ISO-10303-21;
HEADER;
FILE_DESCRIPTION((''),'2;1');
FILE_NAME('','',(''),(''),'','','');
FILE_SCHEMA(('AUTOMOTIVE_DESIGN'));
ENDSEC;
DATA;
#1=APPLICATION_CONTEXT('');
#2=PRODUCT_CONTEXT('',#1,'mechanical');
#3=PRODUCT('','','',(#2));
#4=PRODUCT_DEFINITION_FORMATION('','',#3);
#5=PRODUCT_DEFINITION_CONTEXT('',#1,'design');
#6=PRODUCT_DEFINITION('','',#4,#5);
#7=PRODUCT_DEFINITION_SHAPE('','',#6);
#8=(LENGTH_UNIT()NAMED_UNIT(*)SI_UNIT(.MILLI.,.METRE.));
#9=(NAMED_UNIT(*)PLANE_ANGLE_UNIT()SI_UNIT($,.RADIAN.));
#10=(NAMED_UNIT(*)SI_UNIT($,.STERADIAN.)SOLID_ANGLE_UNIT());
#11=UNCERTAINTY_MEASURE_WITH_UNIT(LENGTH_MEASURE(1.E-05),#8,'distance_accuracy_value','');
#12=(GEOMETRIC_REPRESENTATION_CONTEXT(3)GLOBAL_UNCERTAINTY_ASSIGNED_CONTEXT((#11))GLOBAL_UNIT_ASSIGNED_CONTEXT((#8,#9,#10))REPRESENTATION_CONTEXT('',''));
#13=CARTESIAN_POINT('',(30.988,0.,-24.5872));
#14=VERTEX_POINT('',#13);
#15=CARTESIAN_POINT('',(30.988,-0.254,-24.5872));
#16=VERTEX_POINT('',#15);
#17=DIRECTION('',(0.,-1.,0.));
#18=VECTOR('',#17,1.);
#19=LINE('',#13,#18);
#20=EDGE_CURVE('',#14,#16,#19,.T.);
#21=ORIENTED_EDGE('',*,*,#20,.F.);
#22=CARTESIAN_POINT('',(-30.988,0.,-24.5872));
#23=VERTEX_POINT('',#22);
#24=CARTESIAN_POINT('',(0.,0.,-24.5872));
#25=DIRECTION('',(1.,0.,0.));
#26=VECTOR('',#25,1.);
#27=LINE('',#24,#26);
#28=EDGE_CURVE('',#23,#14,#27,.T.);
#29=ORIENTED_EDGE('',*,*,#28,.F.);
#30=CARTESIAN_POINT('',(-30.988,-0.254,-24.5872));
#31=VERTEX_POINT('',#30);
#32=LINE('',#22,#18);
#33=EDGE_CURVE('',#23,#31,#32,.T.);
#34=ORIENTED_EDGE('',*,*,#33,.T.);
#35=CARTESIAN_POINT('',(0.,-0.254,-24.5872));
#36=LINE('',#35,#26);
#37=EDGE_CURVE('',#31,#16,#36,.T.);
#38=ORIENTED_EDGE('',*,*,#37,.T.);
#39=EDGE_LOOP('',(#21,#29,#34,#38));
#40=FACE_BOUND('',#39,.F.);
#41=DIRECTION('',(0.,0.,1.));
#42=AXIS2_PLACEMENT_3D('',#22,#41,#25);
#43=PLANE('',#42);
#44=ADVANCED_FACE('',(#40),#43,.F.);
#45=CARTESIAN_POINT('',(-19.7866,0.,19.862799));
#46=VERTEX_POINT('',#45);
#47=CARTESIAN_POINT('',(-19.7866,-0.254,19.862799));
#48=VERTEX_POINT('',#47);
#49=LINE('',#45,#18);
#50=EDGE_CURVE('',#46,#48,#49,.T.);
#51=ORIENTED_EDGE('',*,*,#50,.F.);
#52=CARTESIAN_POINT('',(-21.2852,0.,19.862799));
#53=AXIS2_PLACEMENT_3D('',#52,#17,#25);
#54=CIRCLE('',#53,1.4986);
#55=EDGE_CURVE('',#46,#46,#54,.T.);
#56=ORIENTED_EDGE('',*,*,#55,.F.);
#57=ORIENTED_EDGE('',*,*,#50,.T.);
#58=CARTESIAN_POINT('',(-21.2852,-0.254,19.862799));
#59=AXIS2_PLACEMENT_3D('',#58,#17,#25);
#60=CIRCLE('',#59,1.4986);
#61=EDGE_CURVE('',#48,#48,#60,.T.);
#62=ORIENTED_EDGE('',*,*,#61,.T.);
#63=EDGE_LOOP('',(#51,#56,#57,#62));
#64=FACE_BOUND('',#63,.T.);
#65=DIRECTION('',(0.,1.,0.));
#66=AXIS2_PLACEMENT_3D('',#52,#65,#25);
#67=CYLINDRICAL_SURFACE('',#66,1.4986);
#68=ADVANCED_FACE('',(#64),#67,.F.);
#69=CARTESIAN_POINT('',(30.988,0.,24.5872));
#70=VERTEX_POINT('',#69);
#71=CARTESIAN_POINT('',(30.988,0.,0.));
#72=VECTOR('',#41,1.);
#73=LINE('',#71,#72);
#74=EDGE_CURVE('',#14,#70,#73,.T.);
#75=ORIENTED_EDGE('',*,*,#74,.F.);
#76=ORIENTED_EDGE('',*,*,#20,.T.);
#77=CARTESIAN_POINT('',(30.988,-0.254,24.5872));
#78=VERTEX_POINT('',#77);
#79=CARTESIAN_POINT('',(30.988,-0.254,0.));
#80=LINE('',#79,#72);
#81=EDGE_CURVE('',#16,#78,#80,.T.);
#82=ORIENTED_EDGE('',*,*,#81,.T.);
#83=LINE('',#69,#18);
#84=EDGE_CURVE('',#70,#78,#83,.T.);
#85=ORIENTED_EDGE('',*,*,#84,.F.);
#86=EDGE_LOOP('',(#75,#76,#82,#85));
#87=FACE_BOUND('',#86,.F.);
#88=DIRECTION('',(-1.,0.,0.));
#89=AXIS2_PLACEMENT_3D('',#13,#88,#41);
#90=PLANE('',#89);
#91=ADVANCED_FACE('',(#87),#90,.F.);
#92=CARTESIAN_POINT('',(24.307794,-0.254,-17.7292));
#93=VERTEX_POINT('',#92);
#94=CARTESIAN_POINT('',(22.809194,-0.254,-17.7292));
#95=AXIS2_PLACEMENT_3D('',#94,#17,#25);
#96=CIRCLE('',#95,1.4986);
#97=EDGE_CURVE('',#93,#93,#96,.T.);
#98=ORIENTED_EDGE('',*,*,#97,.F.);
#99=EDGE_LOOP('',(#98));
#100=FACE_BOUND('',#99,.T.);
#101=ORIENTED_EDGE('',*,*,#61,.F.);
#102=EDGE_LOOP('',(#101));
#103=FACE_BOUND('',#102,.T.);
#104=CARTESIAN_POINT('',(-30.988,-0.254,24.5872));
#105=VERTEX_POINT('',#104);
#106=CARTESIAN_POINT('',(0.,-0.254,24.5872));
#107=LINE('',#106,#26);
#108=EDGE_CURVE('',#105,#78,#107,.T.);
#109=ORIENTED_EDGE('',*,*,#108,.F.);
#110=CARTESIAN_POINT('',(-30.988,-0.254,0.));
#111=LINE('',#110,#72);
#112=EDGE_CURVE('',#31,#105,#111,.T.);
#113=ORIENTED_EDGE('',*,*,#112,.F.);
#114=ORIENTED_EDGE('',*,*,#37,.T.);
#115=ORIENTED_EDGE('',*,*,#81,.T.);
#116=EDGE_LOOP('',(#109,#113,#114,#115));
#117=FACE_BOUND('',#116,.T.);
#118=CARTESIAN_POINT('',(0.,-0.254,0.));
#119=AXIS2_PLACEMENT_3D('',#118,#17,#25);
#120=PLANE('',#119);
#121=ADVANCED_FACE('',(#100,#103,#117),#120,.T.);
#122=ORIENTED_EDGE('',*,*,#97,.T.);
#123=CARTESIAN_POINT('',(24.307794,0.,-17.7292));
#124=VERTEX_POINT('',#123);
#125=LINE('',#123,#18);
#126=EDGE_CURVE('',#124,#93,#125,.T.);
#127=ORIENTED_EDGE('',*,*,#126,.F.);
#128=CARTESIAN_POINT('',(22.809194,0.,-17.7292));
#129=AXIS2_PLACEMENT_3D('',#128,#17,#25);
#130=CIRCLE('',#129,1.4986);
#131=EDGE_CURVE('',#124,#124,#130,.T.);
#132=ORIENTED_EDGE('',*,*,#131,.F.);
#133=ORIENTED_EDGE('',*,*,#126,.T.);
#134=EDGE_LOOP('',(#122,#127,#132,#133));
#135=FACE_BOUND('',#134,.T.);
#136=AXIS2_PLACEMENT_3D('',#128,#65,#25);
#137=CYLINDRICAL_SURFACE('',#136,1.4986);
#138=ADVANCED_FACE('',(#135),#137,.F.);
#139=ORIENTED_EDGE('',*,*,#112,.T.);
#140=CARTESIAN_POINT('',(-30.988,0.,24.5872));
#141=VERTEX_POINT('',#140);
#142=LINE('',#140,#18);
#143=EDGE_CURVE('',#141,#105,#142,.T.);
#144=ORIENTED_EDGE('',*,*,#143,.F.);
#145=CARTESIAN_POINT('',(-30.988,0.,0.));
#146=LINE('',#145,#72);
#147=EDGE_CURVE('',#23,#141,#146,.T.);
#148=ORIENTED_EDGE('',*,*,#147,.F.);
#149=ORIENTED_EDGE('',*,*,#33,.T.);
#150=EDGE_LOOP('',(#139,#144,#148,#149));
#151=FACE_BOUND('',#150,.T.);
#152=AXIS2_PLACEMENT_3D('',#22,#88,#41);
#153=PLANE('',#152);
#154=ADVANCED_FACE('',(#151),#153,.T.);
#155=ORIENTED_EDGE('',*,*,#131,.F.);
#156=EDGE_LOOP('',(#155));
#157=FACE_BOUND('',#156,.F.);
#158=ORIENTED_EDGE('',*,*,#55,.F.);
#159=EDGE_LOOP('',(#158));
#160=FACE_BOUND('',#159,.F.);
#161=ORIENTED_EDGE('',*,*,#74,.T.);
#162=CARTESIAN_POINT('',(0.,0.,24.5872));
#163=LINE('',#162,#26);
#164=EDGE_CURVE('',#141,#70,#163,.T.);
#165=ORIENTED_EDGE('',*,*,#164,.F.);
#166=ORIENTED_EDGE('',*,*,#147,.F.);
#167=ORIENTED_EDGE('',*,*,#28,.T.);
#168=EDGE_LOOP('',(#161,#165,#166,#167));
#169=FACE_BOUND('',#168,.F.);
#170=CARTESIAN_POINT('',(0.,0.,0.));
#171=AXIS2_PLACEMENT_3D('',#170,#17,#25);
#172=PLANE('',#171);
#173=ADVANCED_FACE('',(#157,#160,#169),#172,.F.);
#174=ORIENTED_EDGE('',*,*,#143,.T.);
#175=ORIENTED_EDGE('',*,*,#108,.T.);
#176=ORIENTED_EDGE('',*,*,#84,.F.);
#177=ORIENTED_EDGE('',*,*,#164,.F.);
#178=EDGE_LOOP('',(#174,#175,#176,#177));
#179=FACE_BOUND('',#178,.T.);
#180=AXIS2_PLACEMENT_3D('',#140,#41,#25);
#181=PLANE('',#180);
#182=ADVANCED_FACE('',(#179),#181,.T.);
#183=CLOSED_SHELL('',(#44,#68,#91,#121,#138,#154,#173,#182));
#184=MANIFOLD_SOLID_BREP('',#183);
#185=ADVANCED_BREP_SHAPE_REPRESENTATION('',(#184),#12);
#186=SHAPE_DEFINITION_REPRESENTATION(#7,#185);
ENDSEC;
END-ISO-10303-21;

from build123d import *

# Parameters (mm, degrees)
F0_W     = 61.976
F0_H     = 49.1744
F0_R     = 1.4986
F1_DEPTH = 0.254


with BuildPart() as f1:
    # F0 (on Front) → F1 (new body)
    with BuildSketch(Plane.XZ):
        with Locations((0, -1e-06)):
            Rectangle(F0_W, F0_H)
        with Locations((22.809194, -17.7292)):
            Circle(F0_R, mode=Mode.SUBTRACT)
        with Locations((-21.2852, 19.862799)):
            Circle(F0_R, mode=Mode.SUBTRACT)
    extrude(amount=F1_DEPTH)


solid = f1.part
